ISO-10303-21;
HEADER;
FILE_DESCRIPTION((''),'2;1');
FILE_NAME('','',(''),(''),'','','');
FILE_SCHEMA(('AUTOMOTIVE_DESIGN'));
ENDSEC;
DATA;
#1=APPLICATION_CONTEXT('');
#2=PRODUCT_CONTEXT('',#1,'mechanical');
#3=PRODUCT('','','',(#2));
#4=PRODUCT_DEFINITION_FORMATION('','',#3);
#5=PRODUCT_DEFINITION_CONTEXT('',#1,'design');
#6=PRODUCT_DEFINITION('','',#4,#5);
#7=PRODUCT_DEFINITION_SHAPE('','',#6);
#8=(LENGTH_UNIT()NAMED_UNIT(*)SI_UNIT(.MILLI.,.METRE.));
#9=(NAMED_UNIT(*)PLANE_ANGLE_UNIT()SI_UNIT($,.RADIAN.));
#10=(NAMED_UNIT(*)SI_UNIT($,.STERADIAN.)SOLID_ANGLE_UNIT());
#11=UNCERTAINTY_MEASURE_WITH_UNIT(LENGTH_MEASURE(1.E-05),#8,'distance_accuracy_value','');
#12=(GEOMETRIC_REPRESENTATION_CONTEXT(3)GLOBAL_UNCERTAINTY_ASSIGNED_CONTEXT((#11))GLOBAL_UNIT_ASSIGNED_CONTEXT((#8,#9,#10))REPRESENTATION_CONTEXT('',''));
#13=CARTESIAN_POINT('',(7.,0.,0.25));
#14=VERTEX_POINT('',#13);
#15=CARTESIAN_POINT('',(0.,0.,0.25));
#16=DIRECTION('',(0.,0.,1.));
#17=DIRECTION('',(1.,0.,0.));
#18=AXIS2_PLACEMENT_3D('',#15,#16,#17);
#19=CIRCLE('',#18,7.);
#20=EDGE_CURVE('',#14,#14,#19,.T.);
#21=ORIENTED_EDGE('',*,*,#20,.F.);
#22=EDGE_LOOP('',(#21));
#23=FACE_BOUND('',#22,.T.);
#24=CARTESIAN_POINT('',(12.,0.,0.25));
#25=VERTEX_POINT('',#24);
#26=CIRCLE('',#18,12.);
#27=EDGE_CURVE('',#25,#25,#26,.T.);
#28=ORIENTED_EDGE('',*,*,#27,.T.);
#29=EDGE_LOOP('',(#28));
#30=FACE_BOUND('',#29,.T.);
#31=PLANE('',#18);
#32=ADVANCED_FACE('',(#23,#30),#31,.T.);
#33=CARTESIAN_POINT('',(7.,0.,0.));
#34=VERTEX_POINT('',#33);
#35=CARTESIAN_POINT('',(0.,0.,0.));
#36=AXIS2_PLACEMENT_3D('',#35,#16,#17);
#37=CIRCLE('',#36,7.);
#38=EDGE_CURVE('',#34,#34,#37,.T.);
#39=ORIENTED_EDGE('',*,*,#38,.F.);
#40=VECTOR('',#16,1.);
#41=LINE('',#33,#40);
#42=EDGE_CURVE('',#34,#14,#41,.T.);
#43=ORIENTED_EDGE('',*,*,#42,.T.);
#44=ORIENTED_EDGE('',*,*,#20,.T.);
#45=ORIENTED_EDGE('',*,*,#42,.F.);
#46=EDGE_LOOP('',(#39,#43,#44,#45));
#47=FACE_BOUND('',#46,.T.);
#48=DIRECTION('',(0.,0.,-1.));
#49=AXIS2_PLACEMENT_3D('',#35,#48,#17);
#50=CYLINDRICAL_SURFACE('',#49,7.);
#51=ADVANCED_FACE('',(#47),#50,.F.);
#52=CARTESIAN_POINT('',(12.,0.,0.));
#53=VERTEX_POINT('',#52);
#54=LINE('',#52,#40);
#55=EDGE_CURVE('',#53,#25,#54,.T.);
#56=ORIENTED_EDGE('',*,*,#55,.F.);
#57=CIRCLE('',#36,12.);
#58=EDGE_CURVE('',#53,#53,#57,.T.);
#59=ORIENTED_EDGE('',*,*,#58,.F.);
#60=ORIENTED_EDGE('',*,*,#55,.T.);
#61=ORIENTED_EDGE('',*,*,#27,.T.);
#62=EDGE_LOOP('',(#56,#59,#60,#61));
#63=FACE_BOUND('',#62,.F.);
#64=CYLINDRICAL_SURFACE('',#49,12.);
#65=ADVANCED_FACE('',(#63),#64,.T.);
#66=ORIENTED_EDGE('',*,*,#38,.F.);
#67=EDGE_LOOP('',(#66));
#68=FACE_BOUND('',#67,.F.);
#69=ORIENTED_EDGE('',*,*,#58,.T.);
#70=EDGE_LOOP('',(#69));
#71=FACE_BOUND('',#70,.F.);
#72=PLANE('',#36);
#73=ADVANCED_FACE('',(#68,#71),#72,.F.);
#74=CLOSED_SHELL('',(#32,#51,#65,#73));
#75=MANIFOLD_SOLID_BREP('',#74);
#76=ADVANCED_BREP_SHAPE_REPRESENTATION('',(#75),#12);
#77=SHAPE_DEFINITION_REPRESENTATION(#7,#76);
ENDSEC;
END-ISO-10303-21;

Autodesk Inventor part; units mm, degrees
ref_plane "YZ Plane" through (0, 0, 0) normal (1, 0, 0) x (0, 1, 0)
ref_plane "XZ Plane" through (0, 0, 0) normal (0, 1, 0) x (-1, 0, 0)
ref_plane "XY Plane" through (0, 0, 0) normal (0, 0, 1) x (1, 0, 0)
sketch "スケッチ1" plane through (0, 0, 0) normal (0, 0, 1) x (1, 0, 0)
  circle A0 centre (0, 0) radius 7
  circle A1 centre (0, 0) radius 12
  dimension "d0" = 14
  dimension "d1" = 24
extrude "押し出し1" add sketch "スケッチ1" along normal blind 0.25
properties part number "ポリスラ12-24 0.25mm" material "アセタール樹脂、黒"
